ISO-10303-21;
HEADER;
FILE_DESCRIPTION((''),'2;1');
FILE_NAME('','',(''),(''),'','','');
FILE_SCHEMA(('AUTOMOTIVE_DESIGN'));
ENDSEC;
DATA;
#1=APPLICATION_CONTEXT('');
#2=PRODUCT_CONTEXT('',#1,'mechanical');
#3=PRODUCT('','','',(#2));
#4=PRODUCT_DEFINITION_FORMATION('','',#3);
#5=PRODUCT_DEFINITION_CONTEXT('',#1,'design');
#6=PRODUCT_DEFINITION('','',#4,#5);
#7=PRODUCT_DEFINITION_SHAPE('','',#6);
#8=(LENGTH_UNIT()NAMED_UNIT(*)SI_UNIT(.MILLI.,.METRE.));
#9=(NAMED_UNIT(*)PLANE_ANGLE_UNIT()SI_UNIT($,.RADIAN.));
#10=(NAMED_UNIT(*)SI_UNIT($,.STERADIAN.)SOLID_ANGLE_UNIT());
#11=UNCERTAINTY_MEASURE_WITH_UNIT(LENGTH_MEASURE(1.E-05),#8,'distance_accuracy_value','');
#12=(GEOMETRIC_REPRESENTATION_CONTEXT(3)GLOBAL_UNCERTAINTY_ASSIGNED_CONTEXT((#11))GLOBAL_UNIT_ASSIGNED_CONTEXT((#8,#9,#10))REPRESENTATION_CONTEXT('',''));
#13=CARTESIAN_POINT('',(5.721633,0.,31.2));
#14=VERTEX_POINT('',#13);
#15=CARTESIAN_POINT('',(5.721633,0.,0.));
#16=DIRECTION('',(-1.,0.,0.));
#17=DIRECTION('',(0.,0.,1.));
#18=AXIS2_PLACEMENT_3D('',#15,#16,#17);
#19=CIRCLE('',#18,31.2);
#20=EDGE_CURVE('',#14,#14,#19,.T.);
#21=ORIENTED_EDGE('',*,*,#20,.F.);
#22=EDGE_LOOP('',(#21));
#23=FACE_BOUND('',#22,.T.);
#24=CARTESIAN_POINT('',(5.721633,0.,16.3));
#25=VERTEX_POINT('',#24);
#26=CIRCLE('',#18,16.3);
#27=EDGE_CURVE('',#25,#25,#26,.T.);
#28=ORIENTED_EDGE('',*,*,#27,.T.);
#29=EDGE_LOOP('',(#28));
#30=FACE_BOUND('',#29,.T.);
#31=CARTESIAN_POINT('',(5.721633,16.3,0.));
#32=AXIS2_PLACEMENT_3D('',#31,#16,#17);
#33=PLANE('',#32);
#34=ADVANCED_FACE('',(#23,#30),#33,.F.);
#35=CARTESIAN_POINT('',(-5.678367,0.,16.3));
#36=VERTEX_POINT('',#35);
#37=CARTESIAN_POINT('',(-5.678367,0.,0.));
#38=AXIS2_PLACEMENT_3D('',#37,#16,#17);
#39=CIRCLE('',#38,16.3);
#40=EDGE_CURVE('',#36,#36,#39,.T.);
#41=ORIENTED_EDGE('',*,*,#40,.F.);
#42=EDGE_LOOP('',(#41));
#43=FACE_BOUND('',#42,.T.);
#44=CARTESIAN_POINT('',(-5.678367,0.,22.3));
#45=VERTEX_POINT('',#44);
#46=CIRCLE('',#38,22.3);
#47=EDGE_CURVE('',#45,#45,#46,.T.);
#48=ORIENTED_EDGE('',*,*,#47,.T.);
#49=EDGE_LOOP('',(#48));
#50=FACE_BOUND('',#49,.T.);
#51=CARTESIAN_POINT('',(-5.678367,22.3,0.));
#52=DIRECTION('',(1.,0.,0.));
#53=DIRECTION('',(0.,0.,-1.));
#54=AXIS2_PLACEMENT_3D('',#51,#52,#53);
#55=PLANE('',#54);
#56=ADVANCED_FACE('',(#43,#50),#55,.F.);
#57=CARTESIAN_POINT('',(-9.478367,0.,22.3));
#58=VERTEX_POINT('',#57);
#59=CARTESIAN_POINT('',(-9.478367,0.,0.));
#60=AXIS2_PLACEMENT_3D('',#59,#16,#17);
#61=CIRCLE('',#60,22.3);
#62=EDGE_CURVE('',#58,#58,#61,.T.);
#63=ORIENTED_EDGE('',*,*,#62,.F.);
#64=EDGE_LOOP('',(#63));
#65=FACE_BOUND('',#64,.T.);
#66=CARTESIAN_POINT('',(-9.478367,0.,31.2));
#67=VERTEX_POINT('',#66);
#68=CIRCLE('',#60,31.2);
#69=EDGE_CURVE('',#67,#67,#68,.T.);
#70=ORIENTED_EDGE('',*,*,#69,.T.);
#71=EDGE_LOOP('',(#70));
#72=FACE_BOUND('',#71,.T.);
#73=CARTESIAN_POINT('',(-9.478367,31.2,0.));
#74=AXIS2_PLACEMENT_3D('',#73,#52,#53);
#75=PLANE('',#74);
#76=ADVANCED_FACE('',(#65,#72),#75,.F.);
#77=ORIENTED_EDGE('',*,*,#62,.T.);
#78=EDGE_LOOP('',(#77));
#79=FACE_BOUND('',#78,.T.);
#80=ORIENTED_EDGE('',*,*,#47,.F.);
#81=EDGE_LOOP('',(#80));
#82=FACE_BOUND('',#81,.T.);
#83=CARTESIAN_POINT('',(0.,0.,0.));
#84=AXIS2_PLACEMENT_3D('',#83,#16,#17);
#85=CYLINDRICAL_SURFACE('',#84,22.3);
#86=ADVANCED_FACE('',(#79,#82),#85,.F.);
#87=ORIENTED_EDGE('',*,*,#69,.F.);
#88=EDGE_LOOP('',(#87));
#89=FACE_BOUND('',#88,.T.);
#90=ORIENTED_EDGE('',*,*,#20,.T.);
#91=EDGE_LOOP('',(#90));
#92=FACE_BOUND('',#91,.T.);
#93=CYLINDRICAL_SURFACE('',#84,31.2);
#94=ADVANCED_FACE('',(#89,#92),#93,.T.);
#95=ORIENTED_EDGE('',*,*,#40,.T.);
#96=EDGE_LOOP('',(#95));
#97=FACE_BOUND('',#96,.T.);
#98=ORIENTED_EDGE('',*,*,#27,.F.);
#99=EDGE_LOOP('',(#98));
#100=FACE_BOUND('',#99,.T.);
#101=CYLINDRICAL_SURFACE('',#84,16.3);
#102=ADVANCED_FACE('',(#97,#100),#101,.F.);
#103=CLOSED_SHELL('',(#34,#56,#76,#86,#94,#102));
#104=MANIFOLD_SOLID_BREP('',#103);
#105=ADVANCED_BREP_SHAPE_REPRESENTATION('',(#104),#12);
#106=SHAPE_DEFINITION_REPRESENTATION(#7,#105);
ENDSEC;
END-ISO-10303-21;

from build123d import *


with BuildPart() as part:
    # Sketch1 → Revolve1 (revolve)
    with BuildSketch(Plane.XY, mode=Mode.PRIVATE) as revolve1_sk:
        Polygon((-5.678367347, 16.3), (5.721632653, 16.3), (5.721632653, 31.2), (-9.478367347, 31.2), (-9.478367347, 22.3), (-5.678367347, 22.3), align=None)
    revolve(revolve1_sk.sketch.rotate(Axis((0, 0, 0), (1, 0, 0)), 90), axis=Axis((0, 0, 0), (1, 0, 0)))


solid = part.part
